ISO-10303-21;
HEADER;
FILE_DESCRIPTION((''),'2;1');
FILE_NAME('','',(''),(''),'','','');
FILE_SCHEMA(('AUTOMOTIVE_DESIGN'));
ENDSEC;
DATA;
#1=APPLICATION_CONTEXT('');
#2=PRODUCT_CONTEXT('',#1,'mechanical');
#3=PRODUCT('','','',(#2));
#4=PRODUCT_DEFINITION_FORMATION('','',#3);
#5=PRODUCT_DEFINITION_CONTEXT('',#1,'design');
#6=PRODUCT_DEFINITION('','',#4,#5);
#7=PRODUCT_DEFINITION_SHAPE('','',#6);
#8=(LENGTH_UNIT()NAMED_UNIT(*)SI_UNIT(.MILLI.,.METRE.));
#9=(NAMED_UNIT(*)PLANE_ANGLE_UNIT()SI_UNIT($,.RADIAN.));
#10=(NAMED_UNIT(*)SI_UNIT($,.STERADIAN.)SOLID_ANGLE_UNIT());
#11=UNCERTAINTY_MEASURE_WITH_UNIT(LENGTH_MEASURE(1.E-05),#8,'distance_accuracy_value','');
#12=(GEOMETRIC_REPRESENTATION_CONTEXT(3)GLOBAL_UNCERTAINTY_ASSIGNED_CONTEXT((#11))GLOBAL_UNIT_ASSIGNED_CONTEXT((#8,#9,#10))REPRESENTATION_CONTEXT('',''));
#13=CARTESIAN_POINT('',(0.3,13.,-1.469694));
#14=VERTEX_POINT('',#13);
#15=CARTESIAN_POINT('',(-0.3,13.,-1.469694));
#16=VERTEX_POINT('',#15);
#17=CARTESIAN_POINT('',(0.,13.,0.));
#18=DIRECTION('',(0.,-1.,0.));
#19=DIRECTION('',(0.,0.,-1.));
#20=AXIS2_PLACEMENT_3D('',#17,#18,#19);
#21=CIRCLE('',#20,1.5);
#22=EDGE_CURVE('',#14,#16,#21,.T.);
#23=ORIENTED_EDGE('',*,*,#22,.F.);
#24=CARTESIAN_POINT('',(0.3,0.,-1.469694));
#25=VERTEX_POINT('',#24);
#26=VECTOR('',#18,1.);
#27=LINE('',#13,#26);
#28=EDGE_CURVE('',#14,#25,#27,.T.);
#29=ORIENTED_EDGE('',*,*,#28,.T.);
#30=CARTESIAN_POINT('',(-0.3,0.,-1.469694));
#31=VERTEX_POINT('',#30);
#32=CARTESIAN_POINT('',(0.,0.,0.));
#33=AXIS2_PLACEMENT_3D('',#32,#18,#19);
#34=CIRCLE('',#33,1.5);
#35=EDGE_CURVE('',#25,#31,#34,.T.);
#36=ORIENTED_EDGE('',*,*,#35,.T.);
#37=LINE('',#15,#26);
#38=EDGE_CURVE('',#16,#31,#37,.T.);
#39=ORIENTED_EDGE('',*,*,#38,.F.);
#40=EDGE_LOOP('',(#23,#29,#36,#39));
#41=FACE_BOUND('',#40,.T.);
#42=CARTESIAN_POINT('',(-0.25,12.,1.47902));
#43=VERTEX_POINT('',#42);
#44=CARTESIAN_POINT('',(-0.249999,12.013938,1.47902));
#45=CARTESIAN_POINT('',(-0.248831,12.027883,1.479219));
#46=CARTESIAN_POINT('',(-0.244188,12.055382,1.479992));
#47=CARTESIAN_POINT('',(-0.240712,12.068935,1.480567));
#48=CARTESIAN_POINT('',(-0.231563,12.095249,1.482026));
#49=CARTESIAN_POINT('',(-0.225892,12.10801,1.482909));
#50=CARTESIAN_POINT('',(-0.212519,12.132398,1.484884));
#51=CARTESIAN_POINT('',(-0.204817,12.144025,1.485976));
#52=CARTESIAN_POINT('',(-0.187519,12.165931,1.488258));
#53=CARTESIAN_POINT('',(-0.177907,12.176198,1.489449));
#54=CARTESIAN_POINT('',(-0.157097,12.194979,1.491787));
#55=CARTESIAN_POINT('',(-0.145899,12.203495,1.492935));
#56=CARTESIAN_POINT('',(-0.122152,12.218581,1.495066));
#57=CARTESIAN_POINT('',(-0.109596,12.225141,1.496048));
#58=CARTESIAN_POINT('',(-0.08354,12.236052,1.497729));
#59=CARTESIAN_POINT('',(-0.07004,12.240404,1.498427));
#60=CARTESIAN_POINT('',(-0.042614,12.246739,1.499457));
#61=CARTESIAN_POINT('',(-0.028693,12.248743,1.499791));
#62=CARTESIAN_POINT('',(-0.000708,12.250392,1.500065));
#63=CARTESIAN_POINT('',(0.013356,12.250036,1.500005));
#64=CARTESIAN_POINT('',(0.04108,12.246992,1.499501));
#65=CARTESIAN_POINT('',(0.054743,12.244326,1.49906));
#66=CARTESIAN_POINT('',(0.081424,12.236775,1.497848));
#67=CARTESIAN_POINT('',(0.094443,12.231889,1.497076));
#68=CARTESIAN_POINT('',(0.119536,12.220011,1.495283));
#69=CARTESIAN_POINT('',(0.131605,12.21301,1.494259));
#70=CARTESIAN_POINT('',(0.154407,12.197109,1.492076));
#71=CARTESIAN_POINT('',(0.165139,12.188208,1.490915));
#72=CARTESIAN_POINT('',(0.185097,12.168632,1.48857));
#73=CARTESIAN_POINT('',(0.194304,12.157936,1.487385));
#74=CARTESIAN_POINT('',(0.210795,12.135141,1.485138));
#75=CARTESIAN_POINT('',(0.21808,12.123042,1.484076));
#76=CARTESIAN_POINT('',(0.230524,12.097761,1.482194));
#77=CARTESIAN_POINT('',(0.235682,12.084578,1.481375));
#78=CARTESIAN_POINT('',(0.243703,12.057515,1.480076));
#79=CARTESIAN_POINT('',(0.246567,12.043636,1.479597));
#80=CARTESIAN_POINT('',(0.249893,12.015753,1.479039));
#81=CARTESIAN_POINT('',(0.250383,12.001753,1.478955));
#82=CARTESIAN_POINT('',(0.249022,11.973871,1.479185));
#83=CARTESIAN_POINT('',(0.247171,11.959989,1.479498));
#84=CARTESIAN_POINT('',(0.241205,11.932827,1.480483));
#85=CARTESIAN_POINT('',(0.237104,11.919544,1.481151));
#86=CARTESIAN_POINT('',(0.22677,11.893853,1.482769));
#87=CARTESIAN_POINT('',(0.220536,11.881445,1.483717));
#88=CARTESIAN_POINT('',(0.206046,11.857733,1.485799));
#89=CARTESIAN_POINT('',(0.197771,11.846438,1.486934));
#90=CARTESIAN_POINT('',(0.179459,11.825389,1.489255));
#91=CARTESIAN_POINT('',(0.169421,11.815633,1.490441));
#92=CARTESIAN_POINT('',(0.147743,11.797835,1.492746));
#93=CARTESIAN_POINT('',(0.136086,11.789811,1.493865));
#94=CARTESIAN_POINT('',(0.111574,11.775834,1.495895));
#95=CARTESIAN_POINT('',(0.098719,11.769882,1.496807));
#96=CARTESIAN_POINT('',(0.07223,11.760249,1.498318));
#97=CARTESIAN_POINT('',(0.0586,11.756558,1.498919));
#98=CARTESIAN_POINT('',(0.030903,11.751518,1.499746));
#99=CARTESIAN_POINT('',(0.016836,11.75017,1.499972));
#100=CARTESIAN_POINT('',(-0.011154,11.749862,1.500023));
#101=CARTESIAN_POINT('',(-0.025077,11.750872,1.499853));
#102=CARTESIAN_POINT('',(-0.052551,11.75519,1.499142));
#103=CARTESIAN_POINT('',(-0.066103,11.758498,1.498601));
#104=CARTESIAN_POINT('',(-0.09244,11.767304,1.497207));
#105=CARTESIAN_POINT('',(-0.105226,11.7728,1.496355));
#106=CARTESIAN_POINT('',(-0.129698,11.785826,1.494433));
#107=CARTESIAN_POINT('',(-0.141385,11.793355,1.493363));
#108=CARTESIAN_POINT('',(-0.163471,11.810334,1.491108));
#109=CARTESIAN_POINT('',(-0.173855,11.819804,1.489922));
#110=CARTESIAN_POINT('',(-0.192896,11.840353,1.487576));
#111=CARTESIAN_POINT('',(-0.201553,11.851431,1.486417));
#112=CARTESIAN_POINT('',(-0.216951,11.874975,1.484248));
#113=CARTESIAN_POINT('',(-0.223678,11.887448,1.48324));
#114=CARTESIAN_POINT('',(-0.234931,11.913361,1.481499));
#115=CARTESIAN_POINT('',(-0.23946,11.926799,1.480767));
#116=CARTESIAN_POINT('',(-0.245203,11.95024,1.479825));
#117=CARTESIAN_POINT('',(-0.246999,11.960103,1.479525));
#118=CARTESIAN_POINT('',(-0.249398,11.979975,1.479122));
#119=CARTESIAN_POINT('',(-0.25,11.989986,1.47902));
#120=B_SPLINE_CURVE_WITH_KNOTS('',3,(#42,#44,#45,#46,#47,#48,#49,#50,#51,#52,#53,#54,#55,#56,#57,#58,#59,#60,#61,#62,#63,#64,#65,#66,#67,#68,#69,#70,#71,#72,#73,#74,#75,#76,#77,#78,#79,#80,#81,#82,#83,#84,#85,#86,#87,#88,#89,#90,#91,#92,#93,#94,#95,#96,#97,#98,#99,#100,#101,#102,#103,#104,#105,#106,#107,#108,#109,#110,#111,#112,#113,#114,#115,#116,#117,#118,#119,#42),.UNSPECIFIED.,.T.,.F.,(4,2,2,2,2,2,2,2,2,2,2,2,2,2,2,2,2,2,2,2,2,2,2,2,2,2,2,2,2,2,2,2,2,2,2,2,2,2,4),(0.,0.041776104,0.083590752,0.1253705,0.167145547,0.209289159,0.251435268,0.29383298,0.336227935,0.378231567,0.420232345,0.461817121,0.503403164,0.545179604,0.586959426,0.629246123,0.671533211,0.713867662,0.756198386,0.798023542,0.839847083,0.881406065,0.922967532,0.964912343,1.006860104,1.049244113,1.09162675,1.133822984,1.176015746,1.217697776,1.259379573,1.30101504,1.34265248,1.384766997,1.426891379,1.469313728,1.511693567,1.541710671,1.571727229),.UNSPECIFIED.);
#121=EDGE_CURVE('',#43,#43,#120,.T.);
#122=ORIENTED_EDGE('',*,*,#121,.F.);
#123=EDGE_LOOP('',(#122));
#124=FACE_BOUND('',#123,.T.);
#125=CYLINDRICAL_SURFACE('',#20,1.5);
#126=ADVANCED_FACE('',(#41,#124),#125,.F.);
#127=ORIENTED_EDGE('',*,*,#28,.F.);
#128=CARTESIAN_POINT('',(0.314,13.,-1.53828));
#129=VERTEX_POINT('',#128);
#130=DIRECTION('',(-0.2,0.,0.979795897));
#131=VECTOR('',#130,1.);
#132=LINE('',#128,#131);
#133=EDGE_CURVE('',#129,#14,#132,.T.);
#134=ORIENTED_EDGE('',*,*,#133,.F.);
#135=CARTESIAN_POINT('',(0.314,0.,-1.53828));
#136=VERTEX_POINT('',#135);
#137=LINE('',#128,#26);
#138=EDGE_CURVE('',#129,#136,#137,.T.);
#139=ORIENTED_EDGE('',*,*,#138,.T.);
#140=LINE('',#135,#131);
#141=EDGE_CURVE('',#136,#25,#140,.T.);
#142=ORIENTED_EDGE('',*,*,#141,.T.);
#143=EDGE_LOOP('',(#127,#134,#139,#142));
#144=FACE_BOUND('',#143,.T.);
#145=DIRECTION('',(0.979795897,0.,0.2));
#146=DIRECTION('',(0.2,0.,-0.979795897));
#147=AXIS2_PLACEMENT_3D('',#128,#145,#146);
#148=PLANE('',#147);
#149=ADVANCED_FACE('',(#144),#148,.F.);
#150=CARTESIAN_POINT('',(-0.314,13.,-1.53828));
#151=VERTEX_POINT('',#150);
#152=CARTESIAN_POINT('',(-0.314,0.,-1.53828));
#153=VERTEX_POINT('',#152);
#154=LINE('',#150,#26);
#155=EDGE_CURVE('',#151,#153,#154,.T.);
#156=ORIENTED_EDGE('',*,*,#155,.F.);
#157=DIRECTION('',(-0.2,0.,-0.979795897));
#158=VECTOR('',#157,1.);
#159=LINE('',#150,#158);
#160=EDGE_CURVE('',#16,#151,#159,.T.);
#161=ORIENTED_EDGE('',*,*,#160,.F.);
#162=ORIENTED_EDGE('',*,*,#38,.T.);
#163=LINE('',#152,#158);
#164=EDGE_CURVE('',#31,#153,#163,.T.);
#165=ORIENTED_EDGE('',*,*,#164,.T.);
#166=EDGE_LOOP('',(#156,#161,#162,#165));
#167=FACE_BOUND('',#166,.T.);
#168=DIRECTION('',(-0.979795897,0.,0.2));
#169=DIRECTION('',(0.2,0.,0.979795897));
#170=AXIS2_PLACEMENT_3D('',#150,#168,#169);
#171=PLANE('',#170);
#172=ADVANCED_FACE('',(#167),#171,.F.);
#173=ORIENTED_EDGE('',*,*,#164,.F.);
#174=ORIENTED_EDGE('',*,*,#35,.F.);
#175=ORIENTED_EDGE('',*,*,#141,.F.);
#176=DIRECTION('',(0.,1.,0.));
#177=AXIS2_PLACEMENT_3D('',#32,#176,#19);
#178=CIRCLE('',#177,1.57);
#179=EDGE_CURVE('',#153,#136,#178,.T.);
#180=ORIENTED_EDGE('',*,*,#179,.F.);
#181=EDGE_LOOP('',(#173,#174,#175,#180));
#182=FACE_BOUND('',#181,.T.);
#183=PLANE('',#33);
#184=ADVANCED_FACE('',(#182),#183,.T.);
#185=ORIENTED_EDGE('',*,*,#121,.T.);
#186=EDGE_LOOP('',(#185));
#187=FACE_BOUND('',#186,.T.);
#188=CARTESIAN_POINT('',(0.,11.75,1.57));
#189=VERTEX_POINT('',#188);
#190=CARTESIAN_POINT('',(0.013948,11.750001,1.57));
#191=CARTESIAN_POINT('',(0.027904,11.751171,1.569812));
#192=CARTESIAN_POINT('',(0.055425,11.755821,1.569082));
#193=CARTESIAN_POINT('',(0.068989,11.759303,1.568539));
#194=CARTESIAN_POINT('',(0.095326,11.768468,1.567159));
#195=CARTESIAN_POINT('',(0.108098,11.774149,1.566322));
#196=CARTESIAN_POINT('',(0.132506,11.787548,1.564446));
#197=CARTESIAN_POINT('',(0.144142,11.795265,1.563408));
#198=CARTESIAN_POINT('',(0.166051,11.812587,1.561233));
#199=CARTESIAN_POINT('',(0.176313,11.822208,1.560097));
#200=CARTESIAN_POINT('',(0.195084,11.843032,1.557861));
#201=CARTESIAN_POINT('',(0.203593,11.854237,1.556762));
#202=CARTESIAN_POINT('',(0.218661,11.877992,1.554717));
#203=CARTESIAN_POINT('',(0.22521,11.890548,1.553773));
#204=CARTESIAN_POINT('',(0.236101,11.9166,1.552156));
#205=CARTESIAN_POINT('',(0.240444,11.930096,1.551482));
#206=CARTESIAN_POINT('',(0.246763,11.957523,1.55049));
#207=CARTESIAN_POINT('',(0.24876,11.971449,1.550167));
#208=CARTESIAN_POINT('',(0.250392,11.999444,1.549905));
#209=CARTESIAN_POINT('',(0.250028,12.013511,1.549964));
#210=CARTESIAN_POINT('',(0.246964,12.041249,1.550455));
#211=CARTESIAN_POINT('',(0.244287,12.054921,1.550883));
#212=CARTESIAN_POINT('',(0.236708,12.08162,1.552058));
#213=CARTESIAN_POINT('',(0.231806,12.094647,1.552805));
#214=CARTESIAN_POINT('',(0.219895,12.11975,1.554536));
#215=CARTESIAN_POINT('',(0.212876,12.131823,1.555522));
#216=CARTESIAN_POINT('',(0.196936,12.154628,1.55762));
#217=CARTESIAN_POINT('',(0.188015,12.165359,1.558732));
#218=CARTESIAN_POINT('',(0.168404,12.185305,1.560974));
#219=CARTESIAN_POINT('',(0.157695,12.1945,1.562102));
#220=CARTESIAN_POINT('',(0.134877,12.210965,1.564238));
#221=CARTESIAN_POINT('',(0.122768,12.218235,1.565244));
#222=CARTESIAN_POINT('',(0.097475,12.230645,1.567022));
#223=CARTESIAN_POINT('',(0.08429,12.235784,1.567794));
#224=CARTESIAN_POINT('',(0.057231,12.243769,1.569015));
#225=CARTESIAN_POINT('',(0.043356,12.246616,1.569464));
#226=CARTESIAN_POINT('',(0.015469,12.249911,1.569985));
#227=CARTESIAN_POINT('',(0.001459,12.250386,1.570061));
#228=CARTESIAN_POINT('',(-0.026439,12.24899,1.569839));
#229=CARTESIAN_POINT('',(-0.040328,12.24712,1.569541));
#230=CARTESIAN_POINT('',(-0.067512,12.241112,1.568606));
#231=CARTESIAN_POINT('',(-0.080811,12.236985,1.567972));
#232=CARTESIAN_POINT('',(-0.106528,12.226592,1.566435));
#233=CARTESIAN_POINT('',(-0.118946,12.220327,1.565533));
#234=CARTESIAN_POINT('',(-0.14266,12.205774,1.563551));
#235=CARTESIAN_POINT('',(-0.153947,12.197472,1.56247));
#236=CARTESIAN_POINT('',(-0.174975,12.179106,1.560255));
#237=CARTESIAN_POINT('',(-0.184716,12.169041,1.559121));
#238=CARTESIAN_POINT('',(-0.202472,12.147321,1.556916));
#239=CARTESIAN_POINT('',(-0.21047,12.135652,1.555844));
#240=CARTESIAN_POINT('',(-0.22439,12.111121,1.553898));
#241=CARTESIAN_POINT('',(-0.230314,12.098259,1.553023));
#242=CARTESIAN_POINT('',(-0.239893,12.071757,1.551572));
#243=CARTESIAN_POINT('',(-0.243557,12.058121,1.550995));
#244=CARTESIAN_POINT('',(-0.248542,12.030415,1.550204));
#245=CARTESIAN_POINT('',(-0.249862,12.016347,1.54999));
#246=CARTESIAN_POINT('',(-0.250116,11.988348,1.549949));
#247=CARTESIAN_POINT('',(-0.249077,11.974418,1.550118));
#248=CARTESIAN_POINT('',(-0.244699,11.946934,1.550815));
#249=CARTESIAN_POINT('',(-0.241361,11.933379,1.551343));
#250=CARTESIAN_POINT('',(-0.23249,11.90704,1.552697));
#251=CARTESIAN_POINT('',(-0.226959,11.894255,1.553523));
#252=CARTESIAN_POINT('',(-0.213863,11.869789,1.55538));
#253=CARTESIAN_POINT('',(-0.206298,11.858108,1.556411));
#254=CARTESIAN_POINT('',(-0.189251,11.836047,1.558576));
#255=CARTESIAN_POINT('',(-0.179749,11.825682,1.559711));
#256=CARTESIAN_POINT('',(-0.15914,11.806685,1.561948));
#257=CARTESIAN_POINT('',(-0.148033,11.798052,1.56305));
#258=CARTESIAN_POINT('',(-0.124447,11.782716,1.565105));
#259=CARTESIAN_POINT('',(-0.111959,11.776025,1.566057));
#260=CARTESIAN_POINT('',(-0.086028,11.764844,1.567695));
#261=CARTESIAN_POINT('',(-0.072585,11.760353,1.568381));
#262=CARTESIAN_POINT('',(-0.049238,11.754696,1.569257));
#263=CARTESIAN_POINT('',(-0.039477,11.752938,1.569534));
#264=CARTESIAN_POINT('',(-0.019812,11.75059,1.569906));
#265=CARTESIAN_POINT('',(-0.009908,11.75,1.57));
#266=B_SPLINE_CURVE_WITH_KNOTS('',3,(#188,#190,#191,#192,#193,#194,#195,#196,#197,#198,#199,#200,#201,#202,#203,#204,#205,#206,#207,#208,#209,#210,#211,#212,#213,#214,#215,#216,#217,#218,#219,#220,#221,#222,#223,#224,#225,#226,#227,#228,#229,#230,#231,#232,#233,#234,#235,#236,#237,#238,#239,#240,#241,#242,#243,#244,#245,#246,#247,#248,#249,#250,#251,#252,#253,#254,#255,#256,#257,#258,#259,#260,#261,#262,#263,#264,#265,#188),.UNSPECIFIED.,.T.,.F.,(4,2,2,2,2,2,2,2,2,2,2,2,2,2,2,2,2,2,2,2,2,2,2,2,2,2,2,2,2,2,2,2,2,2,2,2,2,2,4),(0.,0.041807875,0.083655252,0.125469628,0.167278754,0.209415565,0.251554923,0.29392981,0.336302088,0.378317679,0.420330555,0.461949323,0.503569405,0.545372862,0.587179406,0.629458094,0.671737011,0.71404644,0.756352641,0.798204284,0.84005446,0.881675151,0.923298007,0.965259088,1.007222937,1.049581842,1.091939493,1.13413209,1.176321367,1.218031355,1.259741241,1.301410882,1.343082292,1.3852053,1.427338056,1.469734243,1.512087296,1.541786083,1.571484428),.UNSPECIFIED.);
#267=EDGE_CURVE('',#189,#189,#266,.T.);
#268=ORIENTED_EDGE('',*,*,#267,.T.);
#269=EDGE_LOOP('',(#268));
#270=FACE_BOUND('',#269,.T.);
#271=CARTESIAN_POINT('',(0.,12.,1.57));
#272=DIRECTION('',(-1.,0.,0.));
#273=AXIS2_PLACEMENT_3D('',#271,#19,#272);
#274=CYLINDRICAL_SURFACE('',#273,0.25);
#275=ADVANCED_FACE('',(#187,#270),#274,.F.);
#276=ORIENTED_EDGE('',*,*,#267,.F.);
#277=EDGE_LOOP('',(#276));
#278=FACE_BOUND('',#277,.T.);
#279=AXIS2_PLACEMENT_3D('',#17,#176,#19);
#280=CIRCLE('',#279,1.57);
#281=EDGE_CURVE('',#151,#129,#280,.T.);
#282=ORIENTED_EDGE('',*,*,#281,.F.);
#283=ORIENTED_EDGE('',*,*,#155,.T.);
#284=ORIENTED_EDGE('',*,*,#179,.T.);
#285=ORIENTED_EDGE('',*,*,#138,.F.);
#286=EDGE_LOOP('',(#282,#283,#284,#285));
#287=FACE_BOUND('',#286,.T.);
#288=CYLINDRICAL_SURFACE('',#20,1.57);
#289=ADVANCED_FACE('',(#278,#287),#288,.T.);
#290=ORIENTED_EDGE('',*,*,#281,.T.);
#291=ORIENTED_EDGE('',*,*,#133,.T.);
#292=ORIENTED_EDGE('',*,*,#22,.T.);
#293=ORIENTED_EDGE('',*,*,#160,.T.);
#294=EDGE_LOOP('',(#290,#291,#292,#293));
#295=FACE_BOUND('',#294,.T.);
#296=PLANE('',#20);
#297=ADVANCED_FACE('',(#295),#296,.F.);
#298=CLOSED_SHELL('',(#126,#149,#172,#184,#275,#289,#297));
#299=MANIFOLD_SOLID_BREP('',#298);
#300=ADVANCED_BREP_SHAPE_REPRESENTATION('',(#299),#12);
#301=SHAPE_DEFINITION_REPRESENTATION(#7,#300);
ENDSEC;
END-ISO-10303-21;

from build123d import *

# Parameters (mm, degrees)
EXTRUDE_1_DEPTH     = 13
SKETCH_2_R          = 0.25
CUT_EXTRUDE_1_DEPTH = 2.57


with BuildPart() as part:
    # Эскиз1 → Бобышка-Вытянуть1 (new body)
    with BuildSketch(Plane(origin=(0, 0, 0), x_dir=(1, 0, 0), z_dir=(0, 1, 0))):
        with BuildLine():
            Line((-0.314, 1.538279558), (-0.3, 1.469693846))
            ThreePointArc((-0.3, 1.469693846), (0, -1.5), (0.3, 1.469693846))
            Line((0.3, 1.469693846), (0.314, 1.538279558))
            ThreePointArc((0.314, 1.538279558), (0, -1.57), (-0.314, 1.538279558))
        make_face()
    extrude(amount=EXTRUDE_1_DEPTH)

    # Эскиз2 → Вырез-Вытянуть1 (cut, through all)
    with BuildSketch(Plane.XY):
        with Locations((0, 12)):
            Circle(SKETCH_2_R)
    extrude(amount=CUT_EXTRUDE_1_DEPTH, mode=Mode.SUBTRACT)


solid = part.part
